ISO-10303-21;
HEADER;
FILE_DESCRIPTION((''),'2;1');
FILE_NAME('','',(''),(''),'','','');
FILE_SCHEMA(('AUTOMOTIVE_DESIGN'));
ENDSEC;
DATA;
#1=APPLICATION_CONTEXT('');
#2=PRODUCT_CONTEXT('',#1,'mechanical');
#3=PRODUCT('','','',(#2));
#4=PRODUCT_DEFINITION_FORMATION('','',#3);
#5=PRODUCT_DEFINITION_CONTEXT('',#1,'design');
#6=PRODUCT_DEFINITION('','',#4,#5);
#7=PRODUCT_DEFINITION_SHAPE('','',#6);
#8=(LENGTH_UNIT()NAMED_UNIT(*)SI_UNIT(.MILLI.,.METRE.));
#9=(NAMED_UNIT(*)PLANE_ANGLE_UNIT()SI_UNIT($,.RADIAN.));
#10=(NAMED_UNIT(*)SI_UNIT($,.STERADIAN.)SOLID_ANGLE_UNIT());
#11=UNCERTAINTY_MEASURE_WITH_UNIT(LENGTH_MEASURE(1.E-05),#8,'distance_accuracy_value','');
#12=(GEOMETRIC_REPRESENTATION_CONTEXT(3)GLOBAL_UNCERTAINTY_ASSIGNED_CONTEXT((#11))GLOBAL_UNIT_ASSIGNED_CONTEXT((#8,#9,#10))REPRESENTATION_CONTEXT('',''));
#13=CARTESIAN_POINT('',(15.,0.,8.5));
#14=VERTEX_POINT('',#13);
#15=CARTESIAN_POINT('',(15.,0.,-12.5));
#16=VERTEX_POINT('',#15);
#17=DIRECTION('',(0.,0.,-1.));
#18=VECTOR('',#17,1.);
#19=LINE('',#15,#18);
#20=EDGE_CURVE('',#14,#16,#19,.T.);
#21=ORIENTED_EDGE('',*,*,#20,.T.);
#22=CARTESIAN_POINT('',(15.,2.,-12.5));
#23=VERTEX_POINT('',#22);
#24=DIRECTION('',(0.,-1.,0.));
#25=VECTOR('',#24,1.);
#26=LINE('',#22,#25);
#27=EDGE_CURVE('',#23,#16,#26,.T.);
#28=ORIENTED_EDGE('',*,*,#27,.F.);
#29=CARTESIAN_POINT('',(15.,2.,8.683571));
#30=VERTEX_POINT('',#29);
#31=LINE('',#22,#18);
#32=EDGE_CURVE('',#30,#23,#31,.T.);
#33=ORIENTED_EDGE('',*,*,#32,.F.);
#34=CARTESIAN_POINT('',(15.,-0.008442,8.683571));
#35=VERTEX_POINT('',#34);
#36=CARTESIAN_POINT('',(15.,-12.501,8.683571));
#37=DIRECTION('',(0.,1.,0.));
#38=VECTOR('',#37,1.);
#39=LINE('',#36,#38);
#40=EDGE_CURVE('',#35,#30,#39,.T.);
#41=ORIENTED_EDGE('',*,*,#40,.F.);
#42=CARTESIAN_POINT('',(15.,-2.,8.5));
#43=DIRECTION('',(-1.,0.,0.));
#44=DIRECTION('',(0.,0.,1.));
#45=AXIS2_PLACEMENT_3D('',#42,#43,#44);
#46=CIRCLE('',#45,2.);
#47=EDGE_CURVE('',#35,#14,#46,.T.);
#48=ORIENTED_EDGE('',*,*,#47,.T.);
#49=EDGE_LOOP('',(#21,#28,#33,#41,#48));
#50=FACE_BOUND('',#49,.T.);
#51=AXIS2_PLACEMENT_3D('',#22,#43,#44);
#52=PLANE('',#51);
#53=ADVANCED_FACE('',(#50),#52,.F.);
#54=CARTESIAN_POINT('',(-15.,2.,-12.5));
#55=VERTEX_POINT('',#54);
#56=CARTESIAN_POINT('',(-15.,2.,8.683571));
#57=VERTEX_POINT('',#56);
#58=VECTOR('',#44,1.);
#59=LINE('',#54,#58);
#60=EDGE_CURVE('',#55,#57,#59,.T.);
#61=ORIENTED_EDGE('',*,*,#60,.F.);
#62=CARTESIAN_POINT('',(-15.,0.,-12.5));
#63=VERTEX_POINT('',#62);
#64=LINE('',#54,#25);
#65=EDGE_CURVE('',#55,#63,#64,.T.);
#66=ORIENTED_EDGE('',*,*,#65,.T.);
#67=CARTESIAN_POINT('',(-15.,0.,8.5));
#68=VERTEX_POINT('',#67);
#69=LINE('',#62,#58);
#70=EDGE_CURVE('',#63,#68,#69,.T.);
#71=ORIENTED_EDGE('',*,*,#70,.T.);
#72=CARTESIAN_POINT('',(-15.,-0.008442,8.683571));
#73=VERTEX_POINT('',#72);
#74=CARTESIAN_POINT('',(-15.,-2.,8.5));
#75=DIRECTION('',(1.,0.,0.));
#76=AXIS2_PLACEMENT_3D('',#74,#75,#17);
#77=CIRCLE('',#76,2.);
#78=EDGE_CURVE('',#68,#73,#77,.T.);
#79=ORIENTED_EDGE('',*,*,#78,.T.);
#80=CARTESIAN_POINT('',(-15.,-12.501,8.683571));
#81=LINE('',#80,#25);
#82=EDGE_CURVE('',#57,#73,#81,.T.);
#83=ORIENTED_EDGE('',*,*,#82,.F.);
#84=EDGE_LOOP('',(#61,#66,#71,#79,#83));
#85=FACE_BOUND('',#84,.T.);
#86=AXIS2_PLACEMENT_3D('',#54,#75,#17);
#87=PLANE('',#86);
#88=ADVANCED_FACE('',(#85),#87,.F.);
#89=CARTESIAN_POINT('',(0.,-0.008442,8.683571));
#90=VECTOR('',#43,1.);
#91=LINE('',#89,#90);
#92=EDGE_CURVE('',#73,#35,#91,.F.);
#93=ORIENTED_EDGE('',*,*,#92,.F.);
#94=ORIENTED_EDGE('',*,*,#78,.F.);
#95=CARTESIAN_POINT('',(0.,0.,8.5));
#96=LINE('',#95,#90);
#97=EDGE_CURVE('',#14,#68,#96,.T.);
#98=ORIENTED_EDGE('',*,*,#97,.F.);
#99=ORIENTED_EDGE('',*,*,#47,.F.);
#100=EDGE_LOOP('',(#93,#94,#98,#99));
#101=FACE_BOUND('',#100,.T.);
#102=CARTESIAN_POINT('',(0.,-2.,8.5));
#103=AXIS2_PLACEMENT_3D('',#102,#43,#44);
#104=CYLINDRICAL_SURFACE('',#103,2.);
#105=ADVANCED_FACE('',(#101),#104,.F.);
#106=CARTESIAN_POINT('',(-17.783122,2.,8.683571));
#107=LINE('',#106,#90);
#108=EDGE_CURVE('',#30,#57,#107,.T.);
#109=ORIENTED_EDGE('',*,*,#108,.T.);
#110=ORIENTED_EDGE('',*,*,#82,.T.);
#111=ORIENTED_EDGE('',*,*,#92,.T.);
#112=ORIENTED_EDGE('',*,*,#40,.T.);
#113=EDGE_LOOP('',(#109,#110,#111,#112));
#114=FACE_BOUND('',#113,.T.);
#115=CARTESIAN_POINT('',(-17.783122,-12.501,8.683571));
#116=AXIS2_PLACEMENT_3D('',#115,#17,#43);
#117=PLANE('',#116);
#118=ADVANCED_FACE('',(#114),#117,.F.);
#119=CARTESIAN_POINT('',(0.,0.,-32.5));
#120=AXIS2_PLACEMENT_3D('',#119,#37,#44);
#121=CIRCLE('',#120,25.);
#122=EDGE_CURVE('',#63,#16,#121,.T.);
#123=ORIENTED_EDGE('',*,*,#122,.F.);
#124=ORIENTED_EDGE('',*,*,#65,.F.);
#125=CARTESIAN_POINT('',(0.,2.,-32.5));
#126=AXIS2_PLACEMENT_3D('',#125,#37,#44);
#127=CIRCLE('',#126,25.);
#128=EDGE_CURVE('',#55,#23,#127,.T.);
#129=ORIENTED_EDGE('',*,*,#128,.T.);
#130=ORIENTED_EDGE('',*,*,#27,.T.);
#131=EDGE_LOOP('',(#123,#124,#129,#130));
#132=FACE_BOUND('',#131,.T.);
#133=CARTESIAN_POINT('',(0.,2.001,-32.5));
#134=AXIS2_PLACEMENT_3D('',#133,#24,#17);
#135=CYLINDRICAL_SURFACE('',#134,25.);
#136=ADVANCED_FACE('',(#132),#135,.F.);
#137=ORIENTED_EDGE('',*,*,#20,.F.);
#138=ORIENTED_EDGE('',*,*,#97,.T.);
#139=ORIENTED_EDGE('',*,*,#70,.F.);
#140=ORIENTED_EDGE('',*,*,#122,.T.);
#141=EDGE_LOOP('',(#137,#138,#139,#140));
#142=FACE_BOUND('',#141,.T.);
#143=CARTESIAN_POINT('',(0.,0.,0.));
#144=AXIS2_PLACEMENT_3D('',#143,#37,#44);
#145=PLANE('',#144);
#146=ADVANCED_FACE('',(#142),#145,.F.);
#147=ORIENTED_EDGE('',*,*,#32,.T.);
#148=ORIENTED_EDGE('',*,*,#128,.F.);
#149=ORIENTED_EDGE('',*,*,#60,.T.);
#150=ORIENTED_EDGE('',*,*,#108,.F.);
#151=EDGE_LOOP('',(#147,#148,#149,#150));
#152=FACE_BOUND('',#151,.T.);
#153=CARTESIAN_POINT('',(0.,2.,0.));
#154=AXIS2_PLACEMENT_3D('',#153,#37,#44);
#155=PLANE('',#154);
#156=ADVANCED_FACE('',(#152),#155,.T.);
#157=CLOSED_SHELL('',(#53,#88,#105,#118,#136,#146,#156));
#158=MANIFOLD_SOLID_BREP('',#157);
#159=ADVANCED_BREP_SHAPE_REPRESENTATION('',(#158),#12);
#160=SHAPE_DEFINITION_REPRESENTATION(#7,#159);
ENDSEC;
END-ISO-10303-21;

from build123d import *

# Parameters (mm, degrees)
SKETCH1_W           = 30
SKETCH1_H           = 25
BOSS_EXTRUDE1_DEPTH = 2
SKETCH2_W           = 30
SKETCH2_H           = 2
BOSS_EXTRUDE2_DEPTH = 12.5
CUT_EXTRUDE1_REACH  = 25.184
SKETCH3_R           = 25
FILLET1_R           = 2
CUT_EXTRUDE2_REACH  = 26.321
SKETCH4_W           = 35.566243018
SKETCH4_H           = 17.679126646


with BuildPart() as part:
    # Sketch1 → Boss-Extrude1 (new body)
    with BuildSketch(Plane(origin=(0, 0, 0), x_dir=(1, 0, 0), z_dir=(0, 1, 0))):
        Rectangle(SKETCH1_W, SKETCH1_H)
    extrude(amount=BOSS_EXTRUDE1_DEPTH)

    # Sketch2 → Boss-Extrude2 (add)
    with BuildSketch(Plane(origin=(0, 0, 0), x_dir=(1, 0, 0), z_dir=(0, 1, 0))):
        with Locations((0, -11.5)):
            Rectangle(SKETCH2_W, SKETCH2_H)
    extrude(amount=-BOSS_EXTRUDE2_DEPTH)

    # Sketch3 → Cut-Extrude1 (cut, up to next)
    with BuildSketch(Plane(origin=(0, 0, 0), x_dir=(1, 0, 0), z_dir=(0, 1, 0)), mode=Mode.PRIVATE) as cut_extrude1_sk1:
        with Locations((0, 32.5)):
            Circle(SKETCH3_R)
    cut_extrude1_tool1 = extrude(cut_extrude1_sk1.sketch, amount=CUT_EXTRUDE1_REACH, mode=Mode.PRIVATE) & part.part
    add(cut_extrude1_tool1.solids().sort_by_distance((0, 0, -32.5))[0], mode=Mode.SUBTRACT)

    # Fillet1
    fillet1_edges = [part.edges().sort_by_distance(p)[0] for p in [
        (0, 0, 10.5),
    ]]
    fillet(fillet1_edges, radius=FILLET1_R)

    # Sketch4 → Cut-Extrude2 (cut, up to next)
    with BuildSketch(Plane(origin=(0, 2, 0), x_dir=(1, 0, 0), z_dir=(0, 1, 0)), mode=Mode.PRIVATE) as cut_extrude2_sk1:
        with Locations((0, -17.523134352)):
            Rectangle(SKETCH4_W, SKETCH4_H)
    cut_extrude2_tool1 = extrude(cut_extrude2_sk1.sketch, amount=-CUT_EXTRUDE2_REACH, mode=Mode.PRIVATE) & part.part
    add(cut_extrude2_tool1.solids().sort_by_distance((0, 2, 17.523134))[0], mode=Mode.SUBTRACT)


solid = part.part
